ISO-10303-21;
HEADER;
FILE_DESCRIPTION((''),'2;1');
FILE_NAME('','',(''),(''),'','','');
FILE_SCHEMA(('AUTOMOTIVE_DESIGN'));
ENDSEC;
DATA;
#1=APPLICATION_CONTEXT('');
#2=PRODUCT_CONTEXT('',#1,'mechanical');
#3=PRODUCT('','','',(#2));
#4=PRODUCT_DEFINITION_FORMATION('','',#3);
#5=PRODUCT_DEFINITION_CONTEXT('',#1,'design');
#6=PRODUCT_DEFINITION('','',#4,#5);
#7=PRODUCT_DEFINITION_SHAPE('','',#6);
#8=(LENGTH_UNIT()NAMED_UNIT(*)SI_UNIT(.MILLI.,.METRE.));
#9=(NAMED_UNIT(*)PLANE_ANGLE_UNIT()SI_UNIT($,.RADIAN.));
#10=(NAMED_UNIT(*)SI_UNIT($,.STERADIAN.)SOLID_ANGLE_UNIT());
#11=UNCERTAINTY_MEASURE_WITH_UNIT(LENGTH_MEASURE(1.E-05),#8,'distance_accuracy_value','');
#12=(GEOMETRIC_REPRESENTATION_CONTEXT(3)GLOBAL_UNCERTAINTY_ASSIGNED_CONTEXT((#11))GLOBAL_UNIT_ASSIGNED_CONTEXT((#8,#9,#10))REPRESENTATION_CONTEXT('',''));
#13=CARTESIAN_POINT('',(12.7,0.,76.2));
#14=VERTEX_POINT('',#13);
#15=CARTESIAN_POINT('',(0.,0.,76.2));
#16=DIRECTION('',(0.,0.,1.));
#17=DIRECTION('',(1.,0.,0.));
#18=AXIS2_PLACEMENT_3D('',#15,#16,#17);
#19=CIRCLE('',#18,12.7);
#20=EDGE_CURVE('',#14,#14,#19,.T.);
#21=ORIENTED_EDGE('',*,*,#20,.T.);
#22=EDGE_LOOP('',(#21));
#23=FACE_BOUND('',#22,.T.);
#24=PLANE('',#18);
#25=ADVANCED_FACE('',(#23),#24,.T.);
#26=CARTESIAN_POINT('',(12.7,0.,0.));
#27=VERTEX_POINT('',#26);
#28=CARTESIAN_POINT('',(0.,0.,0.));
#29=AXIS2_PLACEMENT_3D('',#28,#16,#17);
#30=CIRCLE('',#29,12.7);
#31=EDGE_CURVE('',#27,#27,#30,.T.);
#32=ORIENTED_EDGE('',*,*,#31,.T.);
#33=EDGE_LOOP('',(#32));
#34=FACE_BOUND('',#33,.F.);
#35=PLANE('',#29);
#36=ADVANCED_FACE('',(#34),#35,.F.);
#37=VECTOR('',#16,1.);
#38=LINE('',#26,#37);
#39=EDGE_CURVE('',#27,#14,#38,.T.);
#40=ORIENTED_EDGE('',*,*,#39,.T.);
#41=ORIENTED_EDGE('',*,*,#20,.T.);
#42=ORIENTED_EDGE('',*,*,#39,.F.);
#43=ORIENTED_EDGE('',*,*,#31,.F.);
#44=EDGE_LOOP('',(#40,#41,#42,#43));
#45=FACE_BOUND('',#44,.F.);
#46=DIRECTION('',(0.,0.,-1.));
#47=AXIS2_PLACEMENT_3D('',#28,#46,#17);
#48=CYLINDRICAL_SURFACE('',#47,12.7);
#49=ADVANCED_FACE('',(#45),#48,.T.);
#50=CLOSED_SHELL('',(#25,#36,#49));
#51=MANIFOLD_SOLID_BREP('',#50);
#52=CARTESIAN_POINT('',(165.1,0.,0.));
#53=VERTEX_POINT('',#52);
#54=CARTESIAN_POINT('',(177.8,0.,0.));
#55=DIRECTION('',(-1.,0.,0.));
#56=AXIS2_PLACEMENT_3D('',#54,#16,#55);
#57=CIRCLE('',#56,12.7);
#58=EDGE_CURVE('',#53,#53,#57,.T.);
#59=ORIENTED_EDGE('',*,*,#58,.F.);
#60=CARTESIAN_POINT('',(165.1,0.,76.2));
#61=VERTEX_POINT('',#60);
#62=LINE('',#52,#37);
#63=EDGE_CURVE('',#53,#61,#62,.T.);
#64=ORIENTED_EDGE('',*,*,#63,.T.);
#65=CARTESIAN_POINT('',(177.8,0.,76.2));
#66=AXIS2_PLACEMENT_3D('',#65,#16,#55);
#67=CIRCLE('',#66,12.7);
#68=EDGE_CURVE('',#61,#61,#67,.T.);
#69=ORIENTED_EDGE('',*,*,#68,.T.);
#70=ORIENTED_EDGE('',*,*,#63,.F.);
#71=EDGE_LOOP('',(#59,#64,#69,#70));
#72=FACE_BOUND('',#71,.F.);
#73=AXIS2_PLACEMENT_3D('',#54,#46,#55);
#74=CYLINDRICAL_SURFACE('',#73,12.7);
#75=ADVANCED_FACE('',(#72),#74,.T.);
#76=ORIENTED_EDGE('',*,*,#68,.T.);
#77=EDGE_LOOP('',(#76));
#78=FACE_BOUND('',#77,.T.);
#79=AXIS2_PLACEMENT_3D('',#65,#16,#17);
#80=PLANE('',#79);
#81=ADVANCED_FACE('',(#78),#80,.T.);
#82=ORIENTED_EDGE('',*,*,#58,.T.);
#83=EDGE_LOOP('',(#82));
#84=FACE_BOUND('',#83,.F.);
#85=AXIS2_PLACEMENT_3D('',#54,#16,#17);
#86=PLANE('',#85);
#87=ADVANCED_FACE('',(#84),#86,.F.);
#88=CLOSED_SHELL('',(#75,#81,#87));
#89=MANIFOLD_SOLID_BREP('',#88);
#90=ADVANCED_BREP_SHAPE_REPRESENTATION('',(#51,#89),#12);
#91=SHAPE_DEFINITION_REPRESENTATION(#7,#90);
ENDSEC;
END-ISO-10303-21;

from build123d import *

# Parameters (mm, degrees)
F0_R     = 12.7
F1_DEPTH = 76.2


with BuildPart() as f1:
    # F0 (on Top) → F1 (new body)
    with BuildSketch(Plane.XY):
        with BuildLine():
            ThreePointArc((190.5, 0), (177.8, 12.7), (165.1, 0))
            ThreePointArc((165.1, 0), (177.8, -12.7), (190.5, 0))
        make_face()
        Circle(F0_R)
    extrude(amount=F1_DEPTH)


solid = f1.part
